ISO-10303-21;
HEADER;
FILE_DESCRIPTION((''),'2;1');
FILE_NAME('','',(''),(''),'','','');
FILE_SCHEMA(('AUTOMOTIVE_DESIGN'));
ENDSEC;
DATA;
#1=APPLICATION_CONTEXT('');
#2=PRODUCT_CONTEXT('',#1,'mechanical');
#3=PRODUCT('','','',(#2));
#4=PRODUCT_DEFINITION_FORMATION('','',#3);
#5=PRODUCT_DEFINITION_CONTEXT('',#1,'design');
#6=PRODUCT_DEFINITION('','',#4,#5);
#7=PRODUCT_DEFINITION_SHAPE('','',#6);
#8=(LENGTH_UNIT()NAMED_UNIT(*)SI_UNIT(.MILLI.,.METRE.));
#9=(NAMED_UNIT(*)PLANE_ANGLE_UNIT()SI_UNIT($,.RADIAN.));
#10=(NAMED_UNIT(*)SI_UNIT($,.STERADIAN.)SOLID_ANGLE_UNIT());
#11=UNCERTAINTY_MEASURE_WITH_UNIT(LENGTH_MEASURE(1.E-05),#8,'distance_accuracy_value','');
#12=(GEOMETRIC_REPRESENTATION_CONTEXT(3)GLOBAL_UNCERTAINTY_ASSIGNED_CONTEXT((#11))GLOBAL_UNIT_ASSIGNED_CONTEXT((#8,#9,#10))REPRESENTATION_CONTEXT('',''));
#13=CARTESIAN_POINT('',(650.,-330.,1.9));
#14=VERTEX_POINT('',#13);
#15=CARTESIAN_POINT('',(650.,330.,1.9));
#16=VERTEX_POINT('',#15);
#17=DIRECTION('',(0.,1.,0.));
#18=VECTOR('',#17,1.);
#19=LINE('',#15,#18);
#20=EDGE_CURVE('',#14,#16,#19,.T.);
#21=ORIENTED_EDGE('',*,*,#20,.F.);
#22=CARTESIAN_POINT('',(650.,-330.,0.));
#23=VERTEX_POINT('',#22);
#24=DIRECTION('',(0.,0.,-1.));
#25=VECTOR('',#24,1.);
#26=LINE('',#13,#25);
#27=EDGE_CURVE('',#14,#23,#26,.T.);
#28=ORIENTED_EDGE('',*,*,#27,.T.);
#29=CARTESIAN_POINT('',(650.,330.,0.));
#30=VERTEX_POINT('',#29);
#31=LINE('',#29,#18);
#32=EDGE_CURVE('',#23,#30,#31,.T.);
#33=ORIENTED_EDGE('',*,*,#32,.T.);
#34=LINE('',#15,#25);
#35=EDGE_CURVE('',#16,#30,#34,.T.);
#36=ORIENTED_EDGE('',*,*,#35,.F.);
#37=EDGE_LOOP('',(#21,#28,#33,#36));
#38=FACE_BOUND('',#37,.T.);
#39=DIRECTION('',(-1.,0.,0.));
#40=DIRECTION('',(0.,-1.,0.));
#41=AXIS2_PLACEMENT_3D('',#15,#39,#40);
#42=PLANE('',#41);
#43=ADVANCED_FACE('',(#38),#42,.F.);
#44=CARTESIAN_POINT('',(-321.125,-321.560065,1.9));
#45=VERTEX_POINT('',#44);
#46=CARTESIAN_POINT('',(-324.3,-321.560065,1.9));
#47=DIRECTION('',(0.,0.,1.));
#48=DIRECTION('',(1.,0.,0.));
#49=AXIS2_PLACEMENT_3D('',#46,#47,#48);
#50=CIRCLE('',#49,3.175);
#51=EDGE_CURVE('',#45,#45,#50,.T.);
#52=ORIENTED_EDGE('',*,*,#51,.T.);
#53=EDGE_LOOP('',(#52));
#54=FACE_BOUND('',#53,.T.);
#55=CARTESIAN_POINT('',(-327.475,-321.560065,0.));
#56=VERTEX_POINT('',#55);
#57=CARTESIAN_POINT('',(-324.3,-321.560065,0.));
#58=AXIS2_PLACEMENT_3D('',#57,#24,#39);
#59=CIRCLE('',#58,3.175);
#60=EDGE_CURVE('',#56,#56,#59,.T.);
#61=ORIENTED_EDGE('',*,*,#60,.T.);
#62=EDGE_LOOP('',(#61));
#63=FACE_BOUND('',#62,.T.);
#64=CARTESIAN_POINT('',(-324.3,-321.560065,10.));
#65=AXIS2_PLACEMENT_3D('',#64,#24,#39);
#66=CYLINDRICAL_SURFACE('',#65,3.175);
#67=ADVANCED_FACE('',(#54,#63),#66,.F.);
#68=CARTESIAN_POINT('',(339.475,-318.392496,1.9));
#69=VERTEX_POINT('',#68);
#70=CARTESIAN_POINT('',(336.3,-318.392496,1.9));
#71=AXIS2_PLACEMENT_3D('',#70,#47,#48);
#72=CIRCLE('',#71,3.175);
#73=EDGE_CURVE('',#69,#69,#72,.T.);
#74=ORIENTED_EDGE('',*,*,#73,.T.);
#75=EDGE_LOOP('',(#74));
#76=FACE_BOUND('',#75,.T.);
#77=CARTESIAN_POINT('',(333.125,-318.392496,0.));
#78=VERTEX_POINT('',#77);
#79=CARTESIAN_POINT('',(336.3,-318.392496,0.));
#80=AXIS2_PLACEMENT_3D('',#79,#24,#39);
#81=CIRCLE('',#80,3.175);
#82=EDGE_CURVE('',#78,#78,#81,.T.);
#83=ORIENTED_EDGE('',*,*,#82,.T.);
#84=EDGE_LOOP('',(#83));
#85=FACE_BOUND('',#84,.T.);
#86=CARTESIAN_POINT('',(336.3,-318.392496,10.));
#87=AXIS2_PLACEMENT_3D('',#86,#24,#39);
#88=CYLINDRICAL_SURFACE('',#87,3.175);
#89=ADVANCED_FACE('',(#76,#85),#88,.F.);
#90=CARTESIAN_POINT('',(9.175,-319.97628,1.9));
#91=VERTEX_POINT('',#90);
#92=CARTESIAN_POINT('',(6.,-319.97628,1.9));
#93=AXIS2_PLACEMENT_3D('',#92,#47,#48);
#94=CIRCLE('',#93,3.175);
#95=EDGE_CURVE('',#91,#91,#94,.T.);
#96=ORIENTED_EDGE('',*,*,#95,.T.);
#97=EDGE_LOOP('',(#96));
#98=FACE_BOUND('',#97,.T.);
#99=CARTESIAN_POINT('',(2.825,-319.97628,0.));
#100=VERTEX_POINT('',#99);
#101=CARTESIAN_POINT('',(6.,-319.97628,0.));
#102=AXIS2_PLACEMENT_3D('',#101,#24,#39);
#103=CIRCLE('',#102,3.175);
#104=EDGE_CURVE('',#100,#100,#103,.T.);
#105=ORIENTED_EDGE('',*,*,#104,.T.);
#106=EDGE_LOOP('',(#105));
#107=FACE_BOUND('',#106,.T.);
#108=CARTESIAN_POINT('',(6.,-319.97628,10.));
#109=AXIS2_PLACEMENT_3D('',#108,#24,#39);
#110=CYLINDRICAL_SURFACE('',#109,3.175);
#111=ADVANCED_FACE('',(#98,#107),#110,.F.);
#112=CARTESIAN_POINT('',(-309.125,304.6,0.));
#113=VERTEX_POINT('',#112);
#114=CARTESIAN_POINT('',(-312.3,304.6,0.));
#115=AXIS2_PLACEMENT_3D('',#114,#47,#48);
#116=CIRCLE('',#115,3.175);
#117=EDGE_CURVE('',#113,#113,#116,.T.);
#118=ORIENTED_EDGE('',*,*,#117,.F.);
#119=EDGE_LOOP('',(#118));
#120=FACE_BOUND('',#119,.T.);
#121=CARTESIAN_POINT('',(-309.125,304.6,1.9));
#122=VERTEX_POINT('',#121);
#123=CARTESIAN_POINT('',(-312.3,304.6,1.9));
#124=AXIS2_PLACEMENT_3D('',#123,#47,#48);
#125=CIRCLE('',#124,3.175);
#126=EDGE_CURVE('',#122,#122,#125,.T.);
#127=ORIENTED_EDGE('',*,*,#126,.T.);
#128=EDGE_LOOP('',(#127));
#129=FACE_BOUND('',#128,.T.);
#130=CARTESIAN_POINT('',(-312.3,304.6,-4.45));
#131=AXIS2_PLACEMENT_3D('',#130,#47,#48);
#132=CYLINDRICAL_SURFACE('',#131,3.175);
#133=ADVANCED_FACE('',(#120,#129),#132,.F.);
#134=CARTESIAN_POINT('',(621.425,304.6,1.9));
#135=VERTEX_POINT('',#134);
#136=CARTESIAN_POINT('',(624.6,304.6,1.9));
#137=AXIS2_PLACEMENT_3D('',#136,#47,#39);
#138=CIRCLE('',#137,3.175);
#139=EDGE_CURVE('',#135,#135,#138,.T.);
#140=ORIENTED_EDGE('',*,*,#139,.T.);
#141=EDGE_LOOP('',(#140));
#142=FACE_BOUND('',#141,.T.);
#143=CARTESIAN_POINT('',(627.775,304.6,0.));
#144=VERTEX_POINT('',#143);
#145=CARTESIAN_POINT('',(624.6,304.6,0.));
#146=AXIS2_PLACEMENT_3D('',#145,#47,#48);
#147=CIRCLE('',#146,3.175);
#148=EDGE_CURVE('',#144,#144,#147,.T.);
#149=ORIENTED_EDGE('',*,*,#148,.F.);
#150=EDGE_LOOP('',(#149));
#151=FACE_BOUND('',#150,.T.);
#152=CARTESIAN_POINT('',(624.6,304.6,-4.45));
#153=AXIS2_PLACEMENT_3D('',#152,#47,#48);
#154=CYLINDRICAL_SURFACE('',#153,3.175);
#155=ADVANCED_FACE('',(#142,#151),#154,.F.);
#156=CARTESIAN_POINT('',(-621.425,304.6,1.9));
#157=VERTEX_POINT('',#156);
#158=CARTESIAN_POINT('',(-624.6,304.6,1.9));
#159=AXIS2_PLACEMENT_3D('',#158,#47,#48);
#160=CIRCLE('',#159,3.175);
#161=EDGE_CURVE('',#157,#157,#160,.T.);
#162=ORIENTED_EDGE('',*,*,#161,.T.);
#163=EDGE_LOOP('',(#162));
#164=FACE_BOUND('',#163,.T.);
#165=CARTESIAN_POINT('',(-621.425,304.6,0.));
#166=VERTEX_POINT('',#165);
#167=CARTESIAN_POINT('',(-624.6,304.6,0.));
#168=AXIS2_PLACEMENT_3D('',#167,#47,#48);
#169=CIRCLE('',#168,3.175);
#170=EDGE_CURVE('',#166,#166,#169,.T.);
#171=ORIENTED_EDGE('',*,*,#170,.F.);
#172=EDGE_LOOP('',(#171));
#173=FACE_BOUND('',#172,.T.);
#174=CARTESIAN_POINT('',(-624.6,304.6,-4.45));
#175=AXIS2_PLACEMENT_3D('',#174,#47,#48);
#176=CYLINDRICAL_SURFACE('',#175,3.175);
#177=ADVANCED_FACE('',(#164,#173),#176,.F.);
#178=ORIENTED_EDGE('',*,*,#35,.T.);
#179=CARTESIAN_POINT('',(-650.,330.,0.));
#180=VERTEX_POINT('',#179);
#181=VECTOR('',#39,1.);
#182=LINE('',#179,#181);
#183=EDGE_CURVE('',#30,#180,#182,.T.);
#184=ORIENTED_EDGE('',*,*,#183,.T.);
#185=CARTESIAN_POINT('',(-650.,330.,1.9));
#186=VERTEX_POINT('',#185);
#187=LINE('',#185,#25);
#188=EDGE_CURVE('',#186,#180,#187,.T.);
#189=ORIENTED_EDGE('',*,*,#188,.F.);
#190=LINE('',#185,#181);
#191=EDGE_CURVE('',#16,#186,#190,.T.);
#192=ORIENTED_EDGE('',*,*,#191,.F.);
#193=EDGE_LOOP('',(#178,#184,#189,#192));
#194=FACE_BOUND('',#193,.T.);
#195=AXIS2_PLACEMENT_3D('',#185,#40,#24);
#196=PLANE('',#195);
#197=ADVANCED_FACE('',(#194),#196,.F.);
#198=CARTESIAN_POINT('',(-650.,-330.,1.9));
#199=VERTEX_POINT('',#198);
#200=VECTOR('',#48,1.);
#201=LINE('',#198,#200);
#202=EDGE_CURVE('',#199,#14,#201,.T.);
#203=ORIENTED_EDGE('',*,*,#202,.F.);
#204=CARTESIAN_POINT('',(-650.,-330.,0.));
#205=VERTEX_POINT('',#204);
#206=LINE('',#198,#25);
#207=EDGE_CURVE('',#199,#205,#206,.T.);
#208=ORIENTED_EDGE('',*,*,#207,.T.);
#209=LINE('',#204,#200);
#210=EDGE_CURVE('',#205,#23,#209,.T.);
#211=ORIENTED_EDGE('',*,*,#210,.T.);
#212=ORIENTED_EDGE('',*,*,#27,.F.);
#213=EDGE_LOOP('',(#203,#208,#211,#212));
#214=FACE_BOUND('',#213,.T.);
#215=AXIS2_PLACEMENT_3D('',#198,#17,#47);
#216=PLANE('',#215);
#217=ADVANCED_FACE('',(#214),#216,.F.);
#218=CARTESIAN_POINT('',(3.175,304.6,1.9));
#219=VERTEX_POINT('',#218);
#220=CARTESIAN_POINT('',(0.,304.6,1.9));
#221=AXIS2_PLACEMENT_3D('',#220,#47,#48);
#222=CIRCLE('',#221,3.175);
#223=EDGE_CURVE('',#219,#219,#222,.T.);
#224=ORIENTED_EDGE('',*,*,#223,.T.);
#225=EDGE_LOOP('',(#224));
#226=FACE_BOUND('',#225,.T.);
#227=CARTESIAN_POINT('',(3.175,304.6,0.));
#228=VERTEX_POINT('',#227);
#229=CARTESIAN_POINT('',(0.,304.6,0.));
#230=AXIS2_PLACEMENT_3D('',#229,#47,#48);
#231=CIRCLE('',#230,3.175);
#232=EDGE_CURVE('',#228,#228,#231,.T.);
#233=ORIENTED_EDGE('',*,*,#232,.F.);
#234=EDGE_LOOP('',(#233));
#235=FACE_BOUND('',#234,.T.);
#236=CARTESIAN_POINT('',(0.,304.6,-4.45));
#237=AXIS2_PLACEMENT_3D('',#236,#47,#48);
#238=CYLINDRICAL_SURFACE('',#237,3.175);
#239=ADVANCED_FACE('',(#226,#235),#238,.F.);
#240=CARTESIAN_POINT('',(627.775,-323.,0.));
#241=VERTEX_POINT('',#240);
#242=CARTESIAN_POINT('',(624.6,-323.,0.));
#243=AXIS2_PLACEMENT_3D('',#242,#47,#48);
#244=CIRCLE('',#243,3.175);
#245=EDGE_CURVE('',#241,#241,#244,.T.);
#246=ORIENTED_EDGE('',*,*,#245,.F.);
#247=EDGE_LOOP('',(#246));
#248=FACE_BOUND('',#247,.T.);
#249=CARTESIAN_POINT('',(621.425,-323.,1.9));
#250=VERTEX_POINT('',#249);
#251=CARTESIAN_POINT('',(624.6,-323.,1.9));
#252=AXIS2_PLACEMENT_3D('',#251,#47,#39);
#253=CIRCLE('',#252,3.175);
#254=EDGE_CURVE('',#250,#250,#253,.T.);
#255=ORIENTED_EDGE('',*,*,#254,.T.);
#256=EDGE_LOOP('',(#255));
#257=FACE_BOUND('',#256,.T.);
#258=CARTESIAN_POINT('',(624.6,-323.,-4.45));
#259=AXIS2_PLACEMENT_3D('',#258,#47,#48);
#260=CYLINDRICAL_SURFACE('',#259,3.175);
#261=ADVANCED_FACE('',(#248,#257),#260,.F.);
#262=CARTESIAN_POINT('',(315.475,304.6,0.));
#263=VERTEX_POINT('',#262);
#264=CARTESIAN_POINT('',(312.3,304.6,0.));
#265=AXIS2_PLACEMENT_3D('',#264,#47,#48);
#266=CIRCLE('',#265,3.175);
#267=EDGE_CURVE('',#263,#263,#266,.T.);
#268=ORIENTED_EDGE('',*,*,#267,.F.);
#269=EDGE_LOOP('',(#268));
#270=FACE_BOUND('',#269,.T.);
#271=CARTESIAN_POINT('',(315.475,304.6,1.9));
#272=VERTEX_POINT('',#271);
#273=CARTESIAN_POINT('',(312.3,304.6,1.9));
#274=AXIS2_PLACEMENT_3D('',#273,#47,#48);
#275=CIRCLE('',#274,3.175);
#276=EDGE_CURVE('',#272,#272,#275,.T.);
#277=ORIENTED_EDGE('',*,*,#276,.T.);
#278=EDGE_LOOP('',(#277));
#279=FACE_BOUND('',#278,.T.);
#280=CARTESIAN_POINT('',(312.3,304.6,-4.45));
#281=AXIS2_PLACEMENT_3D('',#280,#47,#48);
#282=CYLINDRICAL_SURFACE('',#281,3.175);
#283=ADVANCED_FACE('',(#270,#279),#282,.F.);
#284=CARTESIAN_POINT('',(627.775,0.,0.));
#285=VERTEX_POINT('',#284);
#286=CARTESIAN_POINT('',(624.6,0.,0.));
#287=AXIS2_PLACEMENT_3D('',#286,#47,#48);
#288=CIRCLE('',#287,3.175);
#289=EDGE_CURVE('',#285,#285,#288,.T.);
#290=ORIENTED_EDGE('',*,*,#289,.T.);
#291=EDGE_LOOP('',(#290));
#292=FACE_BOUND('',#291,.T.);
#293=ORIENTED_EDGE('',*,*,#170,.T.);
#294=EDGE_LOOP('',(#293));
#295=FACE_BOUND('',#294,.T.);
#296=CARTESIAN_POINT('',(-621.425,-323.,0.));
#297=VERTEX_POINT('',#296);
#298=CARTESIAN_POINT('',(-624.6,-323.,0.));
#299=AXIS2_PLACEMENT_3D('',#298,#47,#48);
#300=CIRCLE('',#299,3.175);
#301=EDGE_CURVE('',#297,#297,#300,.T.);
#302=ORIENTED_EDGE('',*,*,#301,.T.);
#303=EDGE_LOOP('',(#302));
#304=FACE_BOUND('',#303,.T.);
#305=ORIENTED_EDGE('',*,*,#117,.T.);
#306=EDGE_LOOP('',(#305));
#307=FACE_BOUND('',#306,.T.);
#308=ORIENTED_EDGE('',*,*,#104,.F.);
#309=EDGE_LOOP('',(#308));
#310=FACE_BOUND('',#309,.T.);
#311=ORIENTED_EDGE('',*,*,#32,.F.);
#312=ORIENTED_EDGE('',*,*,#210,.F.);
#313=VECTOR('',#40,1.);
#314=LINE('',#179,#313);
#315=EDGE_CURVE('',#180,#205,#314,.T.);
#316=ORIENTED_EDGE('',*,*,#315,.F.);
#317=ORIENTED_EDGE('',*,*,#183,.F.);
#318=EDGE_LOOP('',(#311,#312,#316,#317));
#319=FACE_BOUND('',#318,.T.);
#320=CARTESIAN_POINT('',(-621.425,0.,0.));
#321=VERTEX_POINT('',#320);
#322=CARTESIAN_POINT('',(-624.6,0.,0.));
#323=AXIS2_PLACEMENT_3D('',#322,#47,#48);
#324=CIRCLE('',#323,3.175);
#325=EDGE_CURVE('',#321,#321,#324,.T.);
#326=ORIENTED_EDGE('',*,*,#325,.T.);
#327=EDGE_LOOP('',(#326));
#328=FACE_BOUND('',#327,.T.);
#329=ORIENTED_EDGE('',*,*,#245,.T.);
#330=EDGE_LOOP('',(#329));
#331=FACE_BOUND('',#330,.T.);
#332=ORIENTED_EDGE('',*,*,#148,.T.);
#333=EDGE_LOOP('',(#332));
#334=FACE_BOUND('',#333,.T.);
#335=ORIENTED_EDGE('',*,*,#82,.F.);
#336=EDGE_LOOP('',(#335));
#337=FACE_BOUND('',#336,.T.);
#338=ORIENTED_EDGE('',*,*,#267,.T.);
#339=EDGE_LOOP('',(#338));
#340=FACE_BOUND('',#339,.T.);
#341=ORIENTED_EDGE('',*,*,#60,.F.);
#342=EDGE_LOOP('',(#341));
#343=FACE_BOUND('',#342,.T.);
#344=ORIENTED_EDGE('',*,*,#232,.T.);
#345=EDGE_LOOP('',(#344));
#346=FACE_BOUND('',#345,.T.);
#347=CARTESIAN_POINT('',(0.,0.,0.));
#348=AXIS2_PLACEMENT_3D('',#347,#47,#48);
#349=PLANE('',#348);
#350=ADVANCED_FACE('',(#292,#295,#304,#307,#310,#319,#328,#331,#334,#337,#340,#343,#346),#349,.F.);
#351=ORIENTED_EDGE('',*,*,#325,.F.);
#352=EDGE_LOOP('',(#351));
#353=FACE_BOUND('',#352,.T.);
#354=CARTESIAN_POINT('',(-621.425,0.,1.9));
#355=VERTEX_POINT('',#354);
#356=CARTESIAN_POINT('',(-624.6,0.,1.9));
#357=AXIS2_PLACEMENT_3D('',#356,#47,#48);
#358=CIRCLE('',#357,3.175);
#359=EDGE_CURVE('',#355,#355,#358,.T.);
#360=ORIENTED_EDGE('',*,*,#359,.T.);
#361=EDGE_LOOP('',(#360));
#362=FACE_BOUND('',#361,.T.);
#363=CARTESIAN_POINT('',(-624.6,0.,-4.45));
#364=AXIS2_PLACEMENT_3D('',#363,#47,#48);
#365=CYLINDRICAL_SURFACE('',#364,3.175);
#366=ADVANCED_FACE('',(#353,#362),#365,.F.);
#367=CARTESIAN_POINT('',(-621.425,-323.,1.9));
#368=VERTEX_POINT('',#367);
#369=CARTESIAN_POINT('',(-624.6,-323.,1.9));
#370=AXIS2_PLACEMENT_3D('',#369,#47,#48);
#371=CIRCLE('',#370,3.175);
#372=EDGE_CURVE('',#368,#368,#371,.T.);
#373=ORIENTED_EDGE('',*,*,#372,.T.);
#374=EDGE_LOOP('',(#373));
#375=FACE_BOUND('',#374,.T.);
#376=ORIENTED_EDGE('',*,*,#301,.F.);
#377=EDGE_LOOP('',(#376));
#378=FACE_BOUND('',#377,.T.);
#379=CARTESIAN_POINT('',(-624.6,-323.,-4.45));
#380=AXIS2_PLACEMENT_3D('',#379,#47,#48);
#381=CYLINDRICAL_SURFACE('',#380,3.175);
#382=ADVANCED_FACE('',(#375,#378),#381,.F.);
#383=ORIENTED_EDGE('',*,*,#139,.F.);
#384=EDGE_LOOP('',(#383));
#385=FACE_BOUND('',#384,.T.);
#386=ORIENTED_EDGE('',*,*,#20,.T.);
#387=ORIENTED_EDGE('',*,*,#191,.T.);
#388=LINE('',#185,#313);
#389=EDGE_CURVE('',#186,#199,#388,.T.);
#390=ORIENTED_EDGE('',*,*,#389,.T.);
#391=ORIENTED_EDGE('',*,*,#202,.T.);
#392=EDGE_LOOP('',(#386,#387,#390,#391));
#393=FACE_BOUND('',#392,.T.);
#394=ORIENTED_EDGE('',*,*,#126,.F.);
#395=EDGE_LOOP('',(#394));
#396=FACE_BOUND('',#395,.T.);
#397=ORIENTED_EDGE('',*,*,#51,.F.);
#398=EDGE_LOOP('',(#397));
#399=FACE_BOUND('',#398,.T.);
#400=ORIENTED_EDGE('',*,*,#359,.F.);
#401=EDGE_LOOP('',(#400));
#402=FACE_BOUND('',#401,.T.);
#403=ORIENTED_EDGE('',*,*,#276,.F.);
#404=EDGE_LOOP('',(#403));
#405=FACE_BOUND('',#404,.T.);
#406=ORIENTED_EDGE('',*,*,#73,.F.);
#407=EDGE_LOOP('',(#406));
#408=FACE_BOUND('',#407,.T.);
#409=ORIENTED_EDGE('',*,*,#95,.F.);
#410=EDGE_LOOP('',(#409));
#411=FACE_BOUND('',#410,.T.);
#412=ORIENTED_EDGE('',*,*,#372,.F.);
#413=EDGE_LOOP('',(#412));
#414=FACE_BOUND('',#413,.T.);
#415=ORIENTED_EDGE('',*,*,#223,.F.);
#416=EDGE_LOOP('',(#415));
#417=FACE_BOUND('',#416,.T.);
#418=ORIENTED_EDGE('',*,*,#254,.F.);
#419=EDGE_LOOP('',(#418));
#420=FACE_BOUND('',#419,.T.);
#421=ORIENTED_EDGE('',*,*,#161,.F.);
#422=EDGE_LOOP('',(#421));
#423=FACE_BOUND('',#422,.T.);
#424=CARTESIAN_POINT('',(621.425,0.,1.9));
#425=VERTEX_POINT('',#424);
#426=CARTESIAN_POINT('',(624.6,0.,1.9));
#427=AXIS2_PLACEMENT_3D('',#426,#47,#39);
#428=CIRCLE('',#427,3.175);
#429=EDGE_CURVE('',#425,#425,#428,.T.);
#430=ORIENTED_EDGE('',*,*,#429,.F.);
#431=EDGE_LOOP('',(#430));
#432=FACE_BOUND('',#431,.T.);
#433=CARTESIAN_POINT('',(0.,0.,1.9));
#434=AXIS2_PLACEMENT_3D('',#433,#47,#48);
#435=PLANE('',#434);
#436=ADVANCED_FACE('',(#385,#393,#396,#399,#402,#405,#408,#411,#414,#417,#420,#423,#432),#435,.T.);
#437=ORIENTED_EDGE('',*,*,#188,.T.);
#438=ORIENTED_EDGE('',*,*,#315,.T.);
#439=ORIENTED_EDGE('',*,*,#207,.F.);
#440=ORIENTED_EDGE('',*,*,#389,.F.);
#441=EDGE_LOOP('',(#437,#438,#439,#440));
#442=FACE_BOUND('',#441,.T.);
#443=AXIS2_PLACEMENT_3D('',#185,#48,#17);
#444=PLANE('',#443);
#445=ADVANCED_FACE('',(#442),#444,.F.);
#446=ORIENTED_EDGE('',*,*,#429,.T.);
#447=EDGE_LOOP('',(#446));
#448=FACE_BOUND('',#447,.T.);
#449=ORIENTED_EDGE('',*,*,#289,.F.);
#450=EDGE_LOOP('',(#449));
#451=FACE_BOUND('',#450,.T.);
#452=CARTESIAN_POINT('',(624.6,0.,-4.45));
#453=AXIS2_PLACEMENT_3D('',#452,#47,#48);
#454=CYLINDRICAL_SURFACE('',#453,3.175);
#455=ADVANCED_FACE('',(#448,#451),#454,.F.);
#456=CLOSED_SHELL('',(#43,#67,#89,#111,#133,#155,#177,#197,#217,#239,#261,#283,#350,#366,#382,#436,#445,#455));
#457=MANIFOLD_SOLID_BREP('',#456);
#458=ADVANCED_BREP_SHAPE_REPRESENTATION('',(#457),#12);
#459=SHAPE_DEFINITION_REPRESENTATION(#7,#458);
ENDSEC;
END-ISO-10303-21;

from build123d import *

# Parameters (mm, degrees)
CROQUIS1_W              = 1300
CROQUIS1_H              = 660
SALIENTE_EXTRUIR1_DEPTH = 1.9
CROQUIS2_R              = 3.175
CORTAR_EXTRUIR2_DEPTH   = 6.35
CROQUIS4_R              = 3.175
CORTAR_EXTRUIR3_DEPTH   = 10


with BuildPart() as part:
    # Croquis1 → Saliente-Extruir1 (new body)
    with BuildSketch(Plane.XY):
        Rectangle(CROQUIS1_W, CROQUIS1_H)
    extrude(amount=SALIENTE_EXTRUIR1_DEPTH)

    # Croquis2 → Cortar-Extruir2 (cut)
    with BuildSketch(Plane.XY.offset(1.9)):
        with Locations((-624.6, 304.6)):
            Circle(CROQUIS2_R)
        with Locations((0, 304.6)):
            Circle(CROQUIS2_R)
        with Locations((624.6, 304.6)):
            Circle(CROQUIS2_R)
        with Locations((-312.3, 304.6)):
            Circle(CROQUIS2_R)
        with Locations((312.3, 304.6)):
            Circle(CROQUIS2_R)
        with Locations((-624.6, 0)):
            Circle(CROQUIS2_R)
        with Locations((624.6, 0)):
            Circle(CROQUIS2_R)
        with Locations((-624.6, -323)):
            Circle(CROQUIS2_R)
        with Locations((624.6, -323)):
            Circle(CROQUIS2_R)
    extrude(amount=-CORTAR_EXTRUIR2_DEPTH, mode=Mode.SUBTRACT)

    # Croquis4 → Cortar-Extruir3 (cut)
    with BuildSketch(Plane(origin=(0, 0, 0), x_dir=(-1, 0, 0), z_dir=(0, 0, -1))):
        with Locations((324.3, -321.56006501)):
            Circle(CROQUIS4_R)
        with Locations((-6, -319.97628037)):
            Circle(CROQUIS4_R)
        with Locations((-336.3, -318.392495731)):
            Circle(CROQUIS4_R)
    extrude(amount=-CORTAR_EXTRUIR3_DEPTH, mode=Mode.SUBTRACT)


solid = part.part
